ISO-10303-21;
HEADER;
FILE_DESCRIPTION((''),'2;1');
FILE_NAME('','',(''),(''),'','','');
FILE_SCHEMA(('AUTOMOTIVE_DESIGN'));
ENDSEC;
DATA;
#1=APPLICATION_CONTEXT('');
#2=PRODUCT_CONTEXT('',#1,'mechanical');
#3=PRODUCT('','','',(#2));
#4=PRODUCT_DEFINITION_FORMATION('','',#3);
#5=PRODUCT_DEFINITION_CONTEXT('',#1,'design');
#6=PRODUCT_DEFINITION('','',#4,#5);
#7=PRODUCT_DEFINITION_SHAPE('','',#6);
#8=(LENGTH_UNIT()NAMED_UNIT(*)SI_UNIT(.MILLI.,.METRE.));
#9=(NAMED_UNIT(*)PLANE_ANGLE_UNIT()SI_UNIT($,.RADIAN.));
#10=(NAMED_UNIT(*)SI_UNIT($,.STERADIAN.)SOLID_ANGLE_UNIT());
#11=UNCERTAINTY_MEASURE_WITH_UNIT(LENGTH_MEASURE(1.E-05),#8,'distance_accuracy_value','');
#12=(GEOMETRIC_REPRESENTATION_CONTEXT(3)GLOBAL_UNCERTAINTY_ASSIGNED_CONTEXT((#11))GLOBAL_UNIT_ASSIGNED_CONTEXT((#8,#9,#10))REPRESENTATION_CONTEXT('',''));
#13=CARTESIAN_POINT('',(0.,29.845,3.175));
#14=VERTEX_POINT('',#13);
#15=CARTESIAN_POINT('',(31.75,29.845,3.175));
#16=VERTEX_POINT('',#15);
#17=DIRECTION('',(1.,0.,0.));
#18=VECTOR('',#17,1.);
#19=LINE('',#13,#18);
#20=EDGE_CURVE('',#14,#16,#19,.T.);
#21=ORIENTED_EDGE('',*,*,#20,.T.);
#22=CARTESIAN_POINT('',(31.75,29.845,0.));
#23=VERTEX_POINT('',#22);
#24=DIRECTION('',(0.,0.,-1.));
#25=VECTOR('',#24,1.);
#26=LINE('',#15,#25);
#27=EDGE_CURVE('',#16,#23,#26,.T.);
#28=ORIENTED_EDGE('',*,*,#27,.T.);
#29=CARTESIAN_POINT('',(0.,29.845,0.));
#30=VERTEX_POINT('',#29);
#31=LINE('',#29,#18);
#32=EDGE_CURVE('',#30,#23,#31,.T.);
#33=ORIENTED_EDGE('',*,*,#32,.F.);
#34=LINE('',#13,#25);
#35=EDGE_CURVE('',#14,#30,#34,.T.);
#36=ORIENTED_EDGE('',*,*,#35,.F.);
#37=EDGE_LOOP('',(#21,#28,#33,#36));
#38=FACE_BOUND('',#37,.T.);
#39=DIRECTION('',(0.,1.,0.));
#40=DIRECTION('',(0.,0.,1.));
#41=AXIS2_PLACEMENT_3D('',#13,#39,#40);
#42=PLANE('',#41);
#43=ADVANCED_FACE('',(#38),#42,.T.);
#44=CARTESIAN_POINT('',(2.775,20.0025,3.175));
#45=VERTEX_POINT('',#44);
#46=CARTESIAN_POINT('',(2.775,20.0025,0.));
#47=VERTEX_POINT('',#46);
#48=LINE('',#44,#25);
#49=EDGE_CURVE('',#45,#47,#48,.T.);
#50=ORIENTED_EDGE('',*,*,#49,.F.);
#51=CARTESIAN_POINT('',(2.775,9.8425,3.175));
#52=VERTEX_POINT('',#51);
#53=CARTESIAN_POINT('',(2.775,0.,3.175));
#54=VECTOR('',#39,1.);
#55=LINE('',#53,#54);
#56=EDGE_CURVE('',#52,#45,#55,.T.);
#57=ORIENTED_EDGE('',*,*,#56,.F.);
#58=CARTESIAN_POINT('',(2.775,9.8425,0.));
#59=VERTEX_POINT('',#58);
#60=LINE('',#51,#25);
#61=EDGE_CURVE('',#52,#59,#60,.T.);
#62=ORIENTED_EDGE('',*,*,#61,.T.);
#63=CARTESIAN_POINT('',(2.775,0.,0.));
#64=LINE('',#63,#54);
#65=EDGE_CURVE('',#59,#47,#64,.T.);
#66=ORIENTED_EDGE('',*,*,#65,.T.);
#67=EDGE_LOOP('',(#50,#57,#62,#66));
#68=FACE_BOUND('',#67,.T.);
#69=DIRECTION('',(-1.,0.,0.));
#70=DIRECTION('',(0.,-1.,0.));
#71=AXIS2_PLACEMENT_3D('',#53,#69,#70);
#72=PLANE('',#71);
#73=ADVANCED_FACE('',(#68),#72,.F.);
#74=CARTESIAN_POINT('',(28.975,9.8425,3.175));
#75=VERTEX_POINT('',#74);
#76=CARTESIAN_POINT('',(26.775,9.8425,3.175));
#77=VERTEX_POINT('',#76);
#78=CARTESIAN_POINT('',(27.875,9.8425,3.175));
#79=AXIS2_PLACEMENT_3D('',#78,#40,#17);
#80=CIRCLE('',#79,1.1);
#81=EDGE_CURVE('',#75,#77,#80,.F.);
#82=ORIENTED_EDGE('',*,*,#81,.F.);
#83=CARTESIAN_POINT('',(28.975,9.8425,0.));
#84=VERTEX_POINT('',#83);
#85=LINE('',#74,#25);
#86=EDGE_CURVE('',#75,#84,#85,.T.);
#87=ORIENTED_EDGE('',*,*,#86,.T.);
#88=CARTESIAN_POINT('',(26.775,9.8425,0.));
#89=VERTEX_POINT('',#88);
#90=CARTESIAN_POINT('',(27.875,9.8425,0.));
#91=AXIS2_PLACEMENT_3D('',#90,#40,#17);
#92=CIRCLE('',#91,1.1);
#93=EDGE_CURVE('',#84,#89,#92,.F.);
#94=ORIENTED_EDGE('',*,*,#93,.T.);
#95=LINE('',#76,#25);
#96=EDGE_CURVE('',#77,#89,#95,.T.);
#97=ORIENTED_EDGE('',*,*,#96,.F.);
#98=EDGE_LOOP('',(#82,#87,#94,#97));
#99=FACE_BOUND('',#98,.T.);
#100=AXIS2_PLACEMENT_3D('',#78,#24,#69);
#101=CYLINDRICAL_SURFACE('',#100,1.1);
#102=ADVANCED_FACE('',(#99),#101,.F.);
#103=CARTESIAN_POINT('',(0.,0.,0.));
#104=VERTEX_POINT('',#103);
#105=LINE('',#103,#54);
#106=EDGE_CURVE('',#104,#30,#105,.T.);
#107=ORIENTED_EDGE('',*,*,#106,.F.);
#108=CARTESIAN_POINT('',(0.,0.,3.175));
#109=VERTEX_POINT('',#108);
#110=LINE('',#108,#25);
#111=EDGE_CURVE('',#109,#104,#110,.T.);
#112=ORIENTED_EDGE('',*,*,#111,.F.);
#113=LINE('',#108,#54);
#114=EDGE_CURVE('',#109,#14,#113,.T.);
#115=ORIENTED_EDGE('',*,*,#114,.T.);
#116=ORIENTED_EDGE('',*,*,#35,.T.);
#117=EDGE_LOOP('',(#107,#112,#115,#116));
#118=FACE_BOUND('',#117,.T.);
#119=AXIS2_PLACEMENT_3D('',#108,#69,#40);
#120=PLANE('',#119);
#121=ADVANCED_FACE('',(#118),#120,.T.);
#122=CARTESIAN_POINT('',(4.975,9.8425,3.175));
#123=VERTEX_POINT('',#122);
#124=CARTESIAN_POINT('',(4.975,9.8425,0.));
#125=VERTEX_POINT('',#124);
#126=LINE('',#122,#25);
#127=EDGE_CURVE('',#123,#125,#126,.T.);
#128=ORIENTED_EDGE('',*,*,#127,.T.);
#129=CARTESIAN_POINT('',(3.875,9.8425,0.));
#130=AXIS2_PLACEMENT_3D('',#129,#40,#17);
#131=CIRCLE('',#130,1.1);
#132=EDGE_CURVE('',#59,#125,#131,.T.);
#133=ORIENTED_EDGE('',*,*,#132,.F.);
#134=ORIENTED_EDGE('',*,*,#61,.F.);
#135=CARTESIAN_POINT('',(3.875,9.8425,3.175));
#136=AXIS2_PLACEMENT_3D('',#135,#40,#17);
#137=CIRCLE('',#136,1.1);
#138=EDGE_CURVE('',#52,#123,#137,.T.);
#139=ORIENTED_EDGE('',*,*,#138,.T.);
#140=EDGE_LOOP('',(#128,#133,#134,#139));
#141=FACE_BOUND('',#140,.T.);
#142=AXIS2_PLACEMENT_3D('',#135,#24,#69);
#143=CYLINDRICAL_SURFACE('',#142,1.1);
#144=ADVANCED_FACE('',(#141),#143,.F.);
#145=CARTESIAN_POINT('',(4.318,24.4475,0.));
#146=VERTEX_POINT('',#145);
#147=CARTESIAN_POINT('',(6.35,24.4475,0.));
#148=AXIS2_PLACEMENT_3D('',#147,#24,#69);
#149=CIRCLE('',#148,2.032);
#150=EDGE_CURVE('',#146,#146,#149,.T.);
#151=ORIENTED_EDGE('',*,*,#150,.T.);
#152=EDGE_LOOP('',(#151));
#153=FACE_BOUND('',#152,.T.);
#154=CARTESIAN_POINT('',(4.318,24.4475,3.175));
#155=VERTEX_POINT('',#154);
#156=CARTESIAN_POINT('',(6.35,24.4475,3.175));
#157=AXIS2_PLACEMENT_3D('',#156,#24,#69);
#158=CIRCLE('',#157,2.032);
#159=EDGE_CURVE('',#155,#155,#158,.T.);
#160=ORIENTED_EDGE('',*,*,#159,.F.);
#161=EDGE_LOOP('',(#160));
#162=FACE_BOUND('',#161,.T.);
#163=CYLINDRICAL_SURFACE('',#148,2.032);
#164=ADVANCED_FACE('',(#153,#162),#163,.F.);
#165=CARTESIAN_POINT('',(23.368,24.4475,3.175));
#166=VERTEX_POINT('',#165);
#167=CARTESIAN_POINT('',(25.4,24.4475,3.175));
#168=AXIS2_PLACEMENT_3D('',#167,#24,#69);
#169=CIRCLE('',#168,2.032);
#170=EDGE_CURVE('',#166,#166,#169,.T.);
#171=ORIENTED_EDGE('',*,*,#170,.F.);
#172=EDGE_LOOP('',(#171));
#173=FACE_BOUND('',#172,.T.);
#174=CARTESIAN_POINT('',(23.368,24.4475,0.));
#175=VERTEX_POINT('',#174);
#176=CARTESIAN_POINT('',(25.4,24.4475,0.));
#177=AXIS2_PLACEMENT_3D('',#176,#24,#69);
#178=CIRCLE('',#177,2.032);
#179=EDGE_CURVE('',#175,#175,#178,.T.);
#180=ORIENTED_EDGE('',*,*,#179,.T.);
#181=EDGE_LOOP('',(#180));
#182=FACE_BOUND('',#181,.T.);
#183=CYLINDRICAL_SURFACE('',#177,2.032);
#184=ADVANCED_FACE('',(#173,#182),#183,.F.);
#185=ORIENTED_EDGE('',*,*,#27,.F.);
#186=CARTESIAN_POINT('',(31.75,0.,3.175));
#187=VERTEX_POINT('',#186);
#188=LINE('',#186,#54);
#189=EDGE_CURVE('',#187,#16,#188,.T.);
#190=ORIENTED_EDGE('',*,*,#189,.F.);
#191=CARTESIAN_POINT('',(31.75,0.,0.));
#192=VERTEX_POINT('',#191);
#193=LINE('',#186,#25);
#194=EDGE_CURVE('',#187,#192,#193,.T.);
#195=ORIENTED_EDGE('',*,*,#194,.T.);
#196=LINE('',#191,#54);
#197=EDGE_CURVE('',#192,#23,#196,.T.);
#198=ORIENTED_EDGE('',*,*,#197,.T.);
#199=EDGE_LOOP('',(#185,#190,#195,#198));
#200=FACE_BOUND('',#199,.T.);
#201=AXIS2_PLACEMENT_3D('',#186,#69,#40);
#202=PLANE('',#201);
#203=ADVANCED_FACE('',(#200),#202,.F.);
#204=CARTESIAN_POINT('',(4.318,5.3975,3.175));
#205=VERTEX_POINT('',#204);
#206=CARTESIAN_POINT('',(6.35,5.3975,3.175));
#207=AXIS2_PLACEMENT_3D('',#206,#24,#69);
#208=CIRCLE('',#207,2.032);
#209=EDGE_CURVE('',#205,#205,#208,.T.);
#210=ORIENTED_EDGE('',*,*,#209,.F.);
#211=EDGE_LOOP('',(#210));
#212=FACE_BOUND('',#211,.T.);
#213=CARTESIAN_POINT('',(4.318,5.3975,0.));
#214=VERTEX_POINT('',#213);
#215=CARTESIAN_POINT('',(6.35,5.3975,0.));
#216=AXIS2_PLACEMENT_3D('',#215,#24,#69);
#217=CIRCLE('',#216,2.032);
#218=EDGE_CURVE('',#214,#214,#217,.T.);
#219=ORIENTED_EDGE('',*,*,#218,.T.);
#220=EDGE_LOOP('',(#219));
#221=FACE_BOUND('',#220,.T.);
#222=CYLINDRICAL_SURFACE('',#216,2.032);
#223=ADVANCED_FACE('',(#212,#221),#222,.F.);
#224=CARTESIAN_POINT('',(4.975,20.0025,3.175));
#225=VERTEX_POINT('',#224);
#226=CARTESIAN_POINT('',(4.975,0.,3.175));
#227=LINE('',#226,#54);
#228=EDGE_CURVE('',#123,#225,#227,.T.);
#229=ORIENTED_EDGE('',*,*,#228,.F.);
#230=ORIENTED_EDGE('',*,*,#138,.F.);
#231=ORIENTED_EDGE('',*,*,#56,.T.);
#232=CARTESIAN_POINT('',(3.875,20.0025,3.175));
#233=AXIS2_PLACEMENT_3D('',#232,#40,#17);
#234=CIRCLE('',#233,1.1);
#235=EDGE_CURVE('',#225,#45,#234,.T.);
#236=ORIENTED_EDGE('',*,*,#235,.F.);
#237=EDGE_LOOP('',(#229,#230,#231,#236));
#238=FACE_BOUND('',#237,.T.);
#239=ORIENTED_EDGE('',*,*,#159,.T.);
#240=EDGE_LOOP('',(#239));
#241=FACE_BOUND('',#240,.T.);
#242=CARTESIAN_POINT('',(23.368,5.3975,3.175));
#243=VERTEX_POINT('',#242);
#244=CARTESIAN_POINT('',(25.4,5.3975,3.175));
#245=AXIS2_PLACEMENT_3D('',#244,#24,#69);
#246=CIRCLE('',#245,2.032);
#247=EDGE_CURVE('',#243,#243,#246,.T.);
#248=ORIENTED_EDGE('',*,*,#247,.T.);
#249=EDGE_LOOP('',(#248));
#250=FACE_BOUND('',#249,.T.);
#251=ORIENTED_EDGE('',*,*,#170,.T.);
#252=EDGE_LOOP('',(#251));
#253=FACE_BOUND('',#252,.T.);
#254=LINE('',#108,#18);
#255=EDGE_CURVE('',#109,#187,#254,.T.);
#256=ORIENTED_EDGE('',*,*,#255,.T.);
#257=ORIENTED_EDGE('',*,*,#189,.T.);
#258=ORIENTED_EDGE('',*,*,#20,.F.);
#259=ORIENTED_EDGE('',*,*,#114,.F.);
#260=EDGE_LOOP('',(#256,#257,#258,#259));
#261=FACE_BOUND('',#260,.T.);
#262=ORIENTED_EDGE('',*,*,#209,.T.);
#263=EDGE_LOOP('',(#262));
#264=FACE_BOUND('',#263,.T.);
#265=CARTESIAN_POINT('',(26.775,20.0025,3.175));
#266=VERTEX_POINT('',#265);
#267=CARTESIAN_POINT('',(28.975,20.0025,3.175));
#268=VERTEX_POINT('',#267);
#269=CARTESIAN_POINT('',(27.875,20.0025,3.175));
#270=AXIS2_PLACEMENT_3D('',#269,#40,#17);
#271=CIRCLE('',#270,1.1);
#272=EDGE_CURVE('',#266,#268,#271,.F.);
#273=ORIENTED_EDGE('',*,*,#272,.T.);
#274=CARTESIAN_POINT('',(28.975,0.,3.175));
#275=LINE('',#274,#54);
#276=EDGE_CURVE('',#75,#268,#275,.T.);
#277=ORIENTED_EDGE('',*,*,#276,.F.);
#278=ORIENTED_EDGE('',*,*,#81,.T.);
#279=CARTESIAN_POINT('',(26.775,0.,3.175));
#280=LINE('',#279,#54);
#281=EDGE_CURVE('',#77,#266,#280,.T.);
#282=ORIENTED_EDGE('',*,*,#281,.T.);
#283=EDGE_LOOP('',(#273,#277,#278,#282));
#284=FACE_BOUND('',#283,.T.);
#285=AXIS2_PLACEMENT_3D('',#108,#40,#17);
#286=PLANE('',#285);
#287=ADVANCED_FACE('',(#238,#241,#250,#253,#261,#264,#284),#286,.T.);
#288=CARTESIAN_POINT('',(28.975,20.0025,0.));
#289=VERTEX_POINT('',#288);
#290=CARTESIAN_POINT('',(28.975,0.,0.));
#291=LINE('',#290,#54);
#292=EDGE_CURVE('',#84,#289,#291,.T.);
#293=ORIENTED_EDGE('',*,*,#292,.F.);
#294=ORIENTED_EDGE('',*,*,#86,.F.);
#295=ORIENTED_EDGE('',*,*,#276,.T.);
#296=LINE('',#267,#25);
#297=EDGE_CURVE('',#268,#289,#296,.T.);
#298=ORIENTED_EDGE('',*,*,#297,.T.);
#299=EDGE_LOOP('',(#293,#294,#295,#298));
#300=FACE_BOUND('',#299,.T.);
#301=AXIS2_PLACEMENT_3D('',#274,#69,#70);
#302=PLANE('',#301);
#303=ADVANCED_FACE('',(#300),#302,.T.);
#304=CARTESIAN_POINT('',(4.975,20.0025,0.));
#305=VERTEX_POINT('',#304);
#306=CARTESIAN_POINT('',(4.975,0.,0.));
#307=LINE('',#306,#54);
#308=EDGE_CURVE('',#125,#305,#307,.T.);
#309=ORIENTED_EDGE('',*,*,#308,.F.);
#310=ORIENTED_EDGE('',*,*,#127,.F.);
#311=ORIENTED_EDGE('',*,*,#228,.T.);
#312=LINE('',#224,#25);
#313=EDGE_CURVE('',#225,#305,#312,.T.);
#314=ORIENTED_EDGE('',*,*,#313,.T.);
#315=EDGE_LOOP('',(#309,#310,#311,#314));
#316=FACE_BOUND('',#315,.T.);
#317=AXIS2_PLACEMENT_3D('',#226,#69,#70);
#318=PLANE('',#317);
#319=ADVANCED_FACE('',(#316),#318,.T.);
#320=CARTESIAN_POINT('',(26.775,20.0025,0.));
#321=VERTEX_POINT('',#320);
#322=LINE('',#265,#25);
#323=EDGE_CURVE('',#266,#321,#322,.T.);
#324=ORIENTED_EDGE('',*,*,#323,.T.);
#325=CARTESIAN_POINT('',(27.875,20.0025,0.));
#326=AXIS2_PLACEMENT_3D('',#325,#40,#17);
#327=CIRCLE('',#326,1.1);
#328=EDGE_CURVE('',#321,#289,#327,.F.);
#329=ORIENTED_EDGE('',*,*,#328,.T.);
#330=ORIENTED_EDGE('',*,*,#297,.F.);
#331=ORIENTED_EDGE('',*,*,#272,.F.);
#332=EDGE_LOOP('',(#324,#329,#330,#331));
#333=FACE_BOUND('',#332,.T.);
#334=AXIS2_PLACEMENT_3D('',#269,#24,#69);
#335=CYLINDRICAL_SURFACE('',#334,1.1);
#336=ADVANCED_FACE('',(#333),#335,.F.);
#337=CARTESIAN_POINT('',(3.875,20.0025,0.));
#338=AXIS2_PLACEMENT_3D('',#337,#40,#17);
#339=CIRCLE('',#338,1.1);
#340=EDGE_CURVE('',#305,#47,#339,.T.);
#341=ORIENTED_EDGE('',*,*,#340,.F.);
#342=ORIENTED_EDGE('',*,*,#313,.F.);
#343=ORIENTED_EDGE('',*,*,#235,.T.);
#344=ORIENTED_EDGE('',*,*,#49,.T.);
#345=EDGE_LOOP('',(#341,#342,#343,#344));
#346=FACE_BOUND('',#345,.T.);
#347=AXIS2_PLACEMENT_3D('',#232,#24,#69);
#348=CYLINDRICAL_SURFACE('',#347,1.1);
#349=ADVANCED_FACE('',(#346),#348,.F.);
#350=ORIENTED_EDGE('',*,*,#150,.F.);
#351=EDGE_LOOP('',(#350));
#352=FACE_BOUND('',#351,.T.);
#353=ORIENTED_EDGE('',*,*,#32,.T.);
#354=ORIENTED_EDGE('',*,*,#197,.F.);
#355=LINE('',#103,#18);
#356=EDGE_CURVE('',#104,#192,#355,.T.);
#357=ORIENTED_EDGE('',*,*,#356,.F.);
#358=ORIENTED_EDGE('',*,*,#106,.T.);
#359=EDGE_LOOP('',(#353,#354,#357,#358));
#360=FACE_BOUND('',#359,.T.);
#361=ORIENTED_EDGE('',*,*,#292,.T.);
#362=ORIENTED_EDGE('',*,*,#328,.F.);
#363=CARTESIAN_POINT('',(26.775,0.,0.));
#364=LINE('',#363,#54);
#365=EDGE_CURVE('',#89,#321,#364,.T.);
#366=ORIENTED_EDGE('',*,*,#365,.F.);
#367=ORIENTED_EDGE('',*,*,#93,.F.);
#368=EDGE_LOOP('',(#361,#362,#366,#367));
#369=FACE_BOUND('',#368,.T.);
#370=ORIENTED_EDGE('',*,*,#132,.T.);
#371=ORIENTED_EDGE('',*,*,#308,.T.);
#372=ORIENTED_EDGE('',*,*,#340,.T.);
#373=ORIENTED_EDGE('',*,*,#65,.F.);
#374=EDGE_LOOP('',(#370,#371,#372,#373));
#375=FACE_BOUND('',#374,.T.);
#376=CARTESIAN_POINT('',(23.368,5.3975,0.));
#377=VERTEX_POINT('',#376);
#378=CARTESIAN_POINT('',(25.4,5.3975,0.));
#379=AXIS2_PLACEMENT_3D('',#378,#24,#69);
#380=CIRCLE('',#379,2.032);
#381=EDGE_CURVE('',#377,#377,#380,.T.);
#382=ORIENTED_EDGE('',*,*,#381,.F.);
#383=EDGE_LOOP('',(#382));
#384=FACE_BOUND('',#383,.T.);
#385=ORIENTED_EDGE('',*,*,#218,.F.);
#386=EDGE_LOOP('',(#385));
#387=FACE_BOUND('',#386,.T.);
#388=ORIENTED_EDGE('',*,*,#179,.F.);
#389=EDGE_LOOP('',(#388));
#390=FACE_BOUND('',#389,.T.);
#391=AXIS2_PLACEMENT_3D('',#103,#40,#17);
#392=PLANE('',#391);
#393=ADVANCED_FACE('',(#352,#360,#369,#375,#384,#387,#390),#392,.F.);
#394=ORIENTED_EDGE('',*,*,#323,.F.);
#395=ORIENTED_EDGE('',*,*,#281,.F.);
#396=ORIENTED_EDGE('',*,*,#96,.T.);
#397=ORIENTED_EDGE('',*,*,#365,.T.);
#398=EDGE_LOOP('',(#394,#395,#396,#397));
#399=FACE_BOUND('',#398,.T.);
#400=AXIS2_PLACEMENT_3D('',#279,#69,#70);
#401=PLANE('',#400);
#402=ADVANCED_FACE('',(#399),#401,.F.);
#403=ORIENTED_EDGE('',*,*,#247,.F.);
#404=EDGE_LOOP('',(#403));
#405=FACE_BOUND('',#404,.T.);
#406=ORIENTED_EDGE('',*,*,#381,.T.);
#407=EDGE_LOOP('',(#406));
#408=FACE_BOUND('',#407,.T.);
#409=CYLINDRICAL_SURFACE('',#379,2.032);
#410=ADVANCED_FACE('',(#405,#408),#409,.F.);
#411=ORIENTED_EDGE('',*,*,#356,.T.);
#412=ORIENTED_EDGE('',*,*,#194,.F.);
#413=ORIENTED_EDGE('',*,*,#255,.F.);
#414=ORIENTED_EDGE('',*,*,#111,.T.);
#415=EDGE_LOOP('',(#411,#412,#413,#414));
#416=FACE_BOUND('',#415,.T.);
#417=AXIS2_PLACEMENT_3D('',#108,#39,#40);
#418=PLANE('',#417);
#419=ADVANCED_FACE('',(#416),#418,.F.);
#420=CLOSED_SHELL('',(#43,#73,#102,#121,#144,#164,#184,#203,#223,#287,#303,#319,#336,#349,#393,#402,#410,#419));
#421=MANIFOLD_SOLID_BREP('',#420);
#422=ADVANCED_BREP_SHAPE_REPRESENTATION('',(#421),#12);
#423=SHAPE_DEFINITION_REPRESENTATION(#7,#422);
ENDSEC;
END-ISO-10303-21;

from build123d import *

# Parameters (mm, degrees)
SKETCH2_W                     = 31.75
SKETCH2_H                     = 29.845
BOSS_EXTRUDE1_DEPTH           = 3.175
F_0_16_4_064_DIAMETER_HOLE1_D = 4.064


with BuildPart() as part:
    # Sketch2 → Boss-Extrude1 (new body)
    with BuildSketch(Plane.XY):
        with Locations((15.875, 14.9225)):
            Rectangle(SKETCH2_W, SKETCH2_H)
        with BuildLine():
            Line((2.775, 9.8425), (2.775, 20.0025))
            ThreePointArc((2.775, 20.0025), (3.875, 21.1025), (4.975, 20.0025))
            Line((4.975, 20.0025), (4.975, 9.8425))
            ThreePointArc((4.975, 9.8425), (3.875, 8.7425), (2.775, 9.8425))
        make_face(mode=Mode.SUBTRACT)
        with BuildLine():
            Line((28.975, 9.8425), (28.975, 20.0025))
            ThreePointArc((28.975, 20.0025), (27.875, 21.1025), (26.775, 20.0025))
            Line((26.775, 20.0025), (26.775, 9.8425))
            ThreePointArc((26.775, 9.8425), (27.875, 8.7425), (28.975, 9.8425))
        make_face(mode=Mode.SUBTRACT)
    extrude(amount=BOSS_EXTRUDE1_DEPTH)

    # Ø0.16 (4.064) Diameter Hole1 (through all)
    with Locations(Plane(origin=(0, 0, 0), x_dir=(-1, 0, 0), z_dir=(0, 0, -1))):
        with Locations((-25.4, 24.4475), (-6.35, 24.4475), (-6.35, 5.3975), (-25.4, 5.3975)):
            Hole(F_0_16_4_064_DIAMETER_HOLE1_D / 2)


solid = part.part
